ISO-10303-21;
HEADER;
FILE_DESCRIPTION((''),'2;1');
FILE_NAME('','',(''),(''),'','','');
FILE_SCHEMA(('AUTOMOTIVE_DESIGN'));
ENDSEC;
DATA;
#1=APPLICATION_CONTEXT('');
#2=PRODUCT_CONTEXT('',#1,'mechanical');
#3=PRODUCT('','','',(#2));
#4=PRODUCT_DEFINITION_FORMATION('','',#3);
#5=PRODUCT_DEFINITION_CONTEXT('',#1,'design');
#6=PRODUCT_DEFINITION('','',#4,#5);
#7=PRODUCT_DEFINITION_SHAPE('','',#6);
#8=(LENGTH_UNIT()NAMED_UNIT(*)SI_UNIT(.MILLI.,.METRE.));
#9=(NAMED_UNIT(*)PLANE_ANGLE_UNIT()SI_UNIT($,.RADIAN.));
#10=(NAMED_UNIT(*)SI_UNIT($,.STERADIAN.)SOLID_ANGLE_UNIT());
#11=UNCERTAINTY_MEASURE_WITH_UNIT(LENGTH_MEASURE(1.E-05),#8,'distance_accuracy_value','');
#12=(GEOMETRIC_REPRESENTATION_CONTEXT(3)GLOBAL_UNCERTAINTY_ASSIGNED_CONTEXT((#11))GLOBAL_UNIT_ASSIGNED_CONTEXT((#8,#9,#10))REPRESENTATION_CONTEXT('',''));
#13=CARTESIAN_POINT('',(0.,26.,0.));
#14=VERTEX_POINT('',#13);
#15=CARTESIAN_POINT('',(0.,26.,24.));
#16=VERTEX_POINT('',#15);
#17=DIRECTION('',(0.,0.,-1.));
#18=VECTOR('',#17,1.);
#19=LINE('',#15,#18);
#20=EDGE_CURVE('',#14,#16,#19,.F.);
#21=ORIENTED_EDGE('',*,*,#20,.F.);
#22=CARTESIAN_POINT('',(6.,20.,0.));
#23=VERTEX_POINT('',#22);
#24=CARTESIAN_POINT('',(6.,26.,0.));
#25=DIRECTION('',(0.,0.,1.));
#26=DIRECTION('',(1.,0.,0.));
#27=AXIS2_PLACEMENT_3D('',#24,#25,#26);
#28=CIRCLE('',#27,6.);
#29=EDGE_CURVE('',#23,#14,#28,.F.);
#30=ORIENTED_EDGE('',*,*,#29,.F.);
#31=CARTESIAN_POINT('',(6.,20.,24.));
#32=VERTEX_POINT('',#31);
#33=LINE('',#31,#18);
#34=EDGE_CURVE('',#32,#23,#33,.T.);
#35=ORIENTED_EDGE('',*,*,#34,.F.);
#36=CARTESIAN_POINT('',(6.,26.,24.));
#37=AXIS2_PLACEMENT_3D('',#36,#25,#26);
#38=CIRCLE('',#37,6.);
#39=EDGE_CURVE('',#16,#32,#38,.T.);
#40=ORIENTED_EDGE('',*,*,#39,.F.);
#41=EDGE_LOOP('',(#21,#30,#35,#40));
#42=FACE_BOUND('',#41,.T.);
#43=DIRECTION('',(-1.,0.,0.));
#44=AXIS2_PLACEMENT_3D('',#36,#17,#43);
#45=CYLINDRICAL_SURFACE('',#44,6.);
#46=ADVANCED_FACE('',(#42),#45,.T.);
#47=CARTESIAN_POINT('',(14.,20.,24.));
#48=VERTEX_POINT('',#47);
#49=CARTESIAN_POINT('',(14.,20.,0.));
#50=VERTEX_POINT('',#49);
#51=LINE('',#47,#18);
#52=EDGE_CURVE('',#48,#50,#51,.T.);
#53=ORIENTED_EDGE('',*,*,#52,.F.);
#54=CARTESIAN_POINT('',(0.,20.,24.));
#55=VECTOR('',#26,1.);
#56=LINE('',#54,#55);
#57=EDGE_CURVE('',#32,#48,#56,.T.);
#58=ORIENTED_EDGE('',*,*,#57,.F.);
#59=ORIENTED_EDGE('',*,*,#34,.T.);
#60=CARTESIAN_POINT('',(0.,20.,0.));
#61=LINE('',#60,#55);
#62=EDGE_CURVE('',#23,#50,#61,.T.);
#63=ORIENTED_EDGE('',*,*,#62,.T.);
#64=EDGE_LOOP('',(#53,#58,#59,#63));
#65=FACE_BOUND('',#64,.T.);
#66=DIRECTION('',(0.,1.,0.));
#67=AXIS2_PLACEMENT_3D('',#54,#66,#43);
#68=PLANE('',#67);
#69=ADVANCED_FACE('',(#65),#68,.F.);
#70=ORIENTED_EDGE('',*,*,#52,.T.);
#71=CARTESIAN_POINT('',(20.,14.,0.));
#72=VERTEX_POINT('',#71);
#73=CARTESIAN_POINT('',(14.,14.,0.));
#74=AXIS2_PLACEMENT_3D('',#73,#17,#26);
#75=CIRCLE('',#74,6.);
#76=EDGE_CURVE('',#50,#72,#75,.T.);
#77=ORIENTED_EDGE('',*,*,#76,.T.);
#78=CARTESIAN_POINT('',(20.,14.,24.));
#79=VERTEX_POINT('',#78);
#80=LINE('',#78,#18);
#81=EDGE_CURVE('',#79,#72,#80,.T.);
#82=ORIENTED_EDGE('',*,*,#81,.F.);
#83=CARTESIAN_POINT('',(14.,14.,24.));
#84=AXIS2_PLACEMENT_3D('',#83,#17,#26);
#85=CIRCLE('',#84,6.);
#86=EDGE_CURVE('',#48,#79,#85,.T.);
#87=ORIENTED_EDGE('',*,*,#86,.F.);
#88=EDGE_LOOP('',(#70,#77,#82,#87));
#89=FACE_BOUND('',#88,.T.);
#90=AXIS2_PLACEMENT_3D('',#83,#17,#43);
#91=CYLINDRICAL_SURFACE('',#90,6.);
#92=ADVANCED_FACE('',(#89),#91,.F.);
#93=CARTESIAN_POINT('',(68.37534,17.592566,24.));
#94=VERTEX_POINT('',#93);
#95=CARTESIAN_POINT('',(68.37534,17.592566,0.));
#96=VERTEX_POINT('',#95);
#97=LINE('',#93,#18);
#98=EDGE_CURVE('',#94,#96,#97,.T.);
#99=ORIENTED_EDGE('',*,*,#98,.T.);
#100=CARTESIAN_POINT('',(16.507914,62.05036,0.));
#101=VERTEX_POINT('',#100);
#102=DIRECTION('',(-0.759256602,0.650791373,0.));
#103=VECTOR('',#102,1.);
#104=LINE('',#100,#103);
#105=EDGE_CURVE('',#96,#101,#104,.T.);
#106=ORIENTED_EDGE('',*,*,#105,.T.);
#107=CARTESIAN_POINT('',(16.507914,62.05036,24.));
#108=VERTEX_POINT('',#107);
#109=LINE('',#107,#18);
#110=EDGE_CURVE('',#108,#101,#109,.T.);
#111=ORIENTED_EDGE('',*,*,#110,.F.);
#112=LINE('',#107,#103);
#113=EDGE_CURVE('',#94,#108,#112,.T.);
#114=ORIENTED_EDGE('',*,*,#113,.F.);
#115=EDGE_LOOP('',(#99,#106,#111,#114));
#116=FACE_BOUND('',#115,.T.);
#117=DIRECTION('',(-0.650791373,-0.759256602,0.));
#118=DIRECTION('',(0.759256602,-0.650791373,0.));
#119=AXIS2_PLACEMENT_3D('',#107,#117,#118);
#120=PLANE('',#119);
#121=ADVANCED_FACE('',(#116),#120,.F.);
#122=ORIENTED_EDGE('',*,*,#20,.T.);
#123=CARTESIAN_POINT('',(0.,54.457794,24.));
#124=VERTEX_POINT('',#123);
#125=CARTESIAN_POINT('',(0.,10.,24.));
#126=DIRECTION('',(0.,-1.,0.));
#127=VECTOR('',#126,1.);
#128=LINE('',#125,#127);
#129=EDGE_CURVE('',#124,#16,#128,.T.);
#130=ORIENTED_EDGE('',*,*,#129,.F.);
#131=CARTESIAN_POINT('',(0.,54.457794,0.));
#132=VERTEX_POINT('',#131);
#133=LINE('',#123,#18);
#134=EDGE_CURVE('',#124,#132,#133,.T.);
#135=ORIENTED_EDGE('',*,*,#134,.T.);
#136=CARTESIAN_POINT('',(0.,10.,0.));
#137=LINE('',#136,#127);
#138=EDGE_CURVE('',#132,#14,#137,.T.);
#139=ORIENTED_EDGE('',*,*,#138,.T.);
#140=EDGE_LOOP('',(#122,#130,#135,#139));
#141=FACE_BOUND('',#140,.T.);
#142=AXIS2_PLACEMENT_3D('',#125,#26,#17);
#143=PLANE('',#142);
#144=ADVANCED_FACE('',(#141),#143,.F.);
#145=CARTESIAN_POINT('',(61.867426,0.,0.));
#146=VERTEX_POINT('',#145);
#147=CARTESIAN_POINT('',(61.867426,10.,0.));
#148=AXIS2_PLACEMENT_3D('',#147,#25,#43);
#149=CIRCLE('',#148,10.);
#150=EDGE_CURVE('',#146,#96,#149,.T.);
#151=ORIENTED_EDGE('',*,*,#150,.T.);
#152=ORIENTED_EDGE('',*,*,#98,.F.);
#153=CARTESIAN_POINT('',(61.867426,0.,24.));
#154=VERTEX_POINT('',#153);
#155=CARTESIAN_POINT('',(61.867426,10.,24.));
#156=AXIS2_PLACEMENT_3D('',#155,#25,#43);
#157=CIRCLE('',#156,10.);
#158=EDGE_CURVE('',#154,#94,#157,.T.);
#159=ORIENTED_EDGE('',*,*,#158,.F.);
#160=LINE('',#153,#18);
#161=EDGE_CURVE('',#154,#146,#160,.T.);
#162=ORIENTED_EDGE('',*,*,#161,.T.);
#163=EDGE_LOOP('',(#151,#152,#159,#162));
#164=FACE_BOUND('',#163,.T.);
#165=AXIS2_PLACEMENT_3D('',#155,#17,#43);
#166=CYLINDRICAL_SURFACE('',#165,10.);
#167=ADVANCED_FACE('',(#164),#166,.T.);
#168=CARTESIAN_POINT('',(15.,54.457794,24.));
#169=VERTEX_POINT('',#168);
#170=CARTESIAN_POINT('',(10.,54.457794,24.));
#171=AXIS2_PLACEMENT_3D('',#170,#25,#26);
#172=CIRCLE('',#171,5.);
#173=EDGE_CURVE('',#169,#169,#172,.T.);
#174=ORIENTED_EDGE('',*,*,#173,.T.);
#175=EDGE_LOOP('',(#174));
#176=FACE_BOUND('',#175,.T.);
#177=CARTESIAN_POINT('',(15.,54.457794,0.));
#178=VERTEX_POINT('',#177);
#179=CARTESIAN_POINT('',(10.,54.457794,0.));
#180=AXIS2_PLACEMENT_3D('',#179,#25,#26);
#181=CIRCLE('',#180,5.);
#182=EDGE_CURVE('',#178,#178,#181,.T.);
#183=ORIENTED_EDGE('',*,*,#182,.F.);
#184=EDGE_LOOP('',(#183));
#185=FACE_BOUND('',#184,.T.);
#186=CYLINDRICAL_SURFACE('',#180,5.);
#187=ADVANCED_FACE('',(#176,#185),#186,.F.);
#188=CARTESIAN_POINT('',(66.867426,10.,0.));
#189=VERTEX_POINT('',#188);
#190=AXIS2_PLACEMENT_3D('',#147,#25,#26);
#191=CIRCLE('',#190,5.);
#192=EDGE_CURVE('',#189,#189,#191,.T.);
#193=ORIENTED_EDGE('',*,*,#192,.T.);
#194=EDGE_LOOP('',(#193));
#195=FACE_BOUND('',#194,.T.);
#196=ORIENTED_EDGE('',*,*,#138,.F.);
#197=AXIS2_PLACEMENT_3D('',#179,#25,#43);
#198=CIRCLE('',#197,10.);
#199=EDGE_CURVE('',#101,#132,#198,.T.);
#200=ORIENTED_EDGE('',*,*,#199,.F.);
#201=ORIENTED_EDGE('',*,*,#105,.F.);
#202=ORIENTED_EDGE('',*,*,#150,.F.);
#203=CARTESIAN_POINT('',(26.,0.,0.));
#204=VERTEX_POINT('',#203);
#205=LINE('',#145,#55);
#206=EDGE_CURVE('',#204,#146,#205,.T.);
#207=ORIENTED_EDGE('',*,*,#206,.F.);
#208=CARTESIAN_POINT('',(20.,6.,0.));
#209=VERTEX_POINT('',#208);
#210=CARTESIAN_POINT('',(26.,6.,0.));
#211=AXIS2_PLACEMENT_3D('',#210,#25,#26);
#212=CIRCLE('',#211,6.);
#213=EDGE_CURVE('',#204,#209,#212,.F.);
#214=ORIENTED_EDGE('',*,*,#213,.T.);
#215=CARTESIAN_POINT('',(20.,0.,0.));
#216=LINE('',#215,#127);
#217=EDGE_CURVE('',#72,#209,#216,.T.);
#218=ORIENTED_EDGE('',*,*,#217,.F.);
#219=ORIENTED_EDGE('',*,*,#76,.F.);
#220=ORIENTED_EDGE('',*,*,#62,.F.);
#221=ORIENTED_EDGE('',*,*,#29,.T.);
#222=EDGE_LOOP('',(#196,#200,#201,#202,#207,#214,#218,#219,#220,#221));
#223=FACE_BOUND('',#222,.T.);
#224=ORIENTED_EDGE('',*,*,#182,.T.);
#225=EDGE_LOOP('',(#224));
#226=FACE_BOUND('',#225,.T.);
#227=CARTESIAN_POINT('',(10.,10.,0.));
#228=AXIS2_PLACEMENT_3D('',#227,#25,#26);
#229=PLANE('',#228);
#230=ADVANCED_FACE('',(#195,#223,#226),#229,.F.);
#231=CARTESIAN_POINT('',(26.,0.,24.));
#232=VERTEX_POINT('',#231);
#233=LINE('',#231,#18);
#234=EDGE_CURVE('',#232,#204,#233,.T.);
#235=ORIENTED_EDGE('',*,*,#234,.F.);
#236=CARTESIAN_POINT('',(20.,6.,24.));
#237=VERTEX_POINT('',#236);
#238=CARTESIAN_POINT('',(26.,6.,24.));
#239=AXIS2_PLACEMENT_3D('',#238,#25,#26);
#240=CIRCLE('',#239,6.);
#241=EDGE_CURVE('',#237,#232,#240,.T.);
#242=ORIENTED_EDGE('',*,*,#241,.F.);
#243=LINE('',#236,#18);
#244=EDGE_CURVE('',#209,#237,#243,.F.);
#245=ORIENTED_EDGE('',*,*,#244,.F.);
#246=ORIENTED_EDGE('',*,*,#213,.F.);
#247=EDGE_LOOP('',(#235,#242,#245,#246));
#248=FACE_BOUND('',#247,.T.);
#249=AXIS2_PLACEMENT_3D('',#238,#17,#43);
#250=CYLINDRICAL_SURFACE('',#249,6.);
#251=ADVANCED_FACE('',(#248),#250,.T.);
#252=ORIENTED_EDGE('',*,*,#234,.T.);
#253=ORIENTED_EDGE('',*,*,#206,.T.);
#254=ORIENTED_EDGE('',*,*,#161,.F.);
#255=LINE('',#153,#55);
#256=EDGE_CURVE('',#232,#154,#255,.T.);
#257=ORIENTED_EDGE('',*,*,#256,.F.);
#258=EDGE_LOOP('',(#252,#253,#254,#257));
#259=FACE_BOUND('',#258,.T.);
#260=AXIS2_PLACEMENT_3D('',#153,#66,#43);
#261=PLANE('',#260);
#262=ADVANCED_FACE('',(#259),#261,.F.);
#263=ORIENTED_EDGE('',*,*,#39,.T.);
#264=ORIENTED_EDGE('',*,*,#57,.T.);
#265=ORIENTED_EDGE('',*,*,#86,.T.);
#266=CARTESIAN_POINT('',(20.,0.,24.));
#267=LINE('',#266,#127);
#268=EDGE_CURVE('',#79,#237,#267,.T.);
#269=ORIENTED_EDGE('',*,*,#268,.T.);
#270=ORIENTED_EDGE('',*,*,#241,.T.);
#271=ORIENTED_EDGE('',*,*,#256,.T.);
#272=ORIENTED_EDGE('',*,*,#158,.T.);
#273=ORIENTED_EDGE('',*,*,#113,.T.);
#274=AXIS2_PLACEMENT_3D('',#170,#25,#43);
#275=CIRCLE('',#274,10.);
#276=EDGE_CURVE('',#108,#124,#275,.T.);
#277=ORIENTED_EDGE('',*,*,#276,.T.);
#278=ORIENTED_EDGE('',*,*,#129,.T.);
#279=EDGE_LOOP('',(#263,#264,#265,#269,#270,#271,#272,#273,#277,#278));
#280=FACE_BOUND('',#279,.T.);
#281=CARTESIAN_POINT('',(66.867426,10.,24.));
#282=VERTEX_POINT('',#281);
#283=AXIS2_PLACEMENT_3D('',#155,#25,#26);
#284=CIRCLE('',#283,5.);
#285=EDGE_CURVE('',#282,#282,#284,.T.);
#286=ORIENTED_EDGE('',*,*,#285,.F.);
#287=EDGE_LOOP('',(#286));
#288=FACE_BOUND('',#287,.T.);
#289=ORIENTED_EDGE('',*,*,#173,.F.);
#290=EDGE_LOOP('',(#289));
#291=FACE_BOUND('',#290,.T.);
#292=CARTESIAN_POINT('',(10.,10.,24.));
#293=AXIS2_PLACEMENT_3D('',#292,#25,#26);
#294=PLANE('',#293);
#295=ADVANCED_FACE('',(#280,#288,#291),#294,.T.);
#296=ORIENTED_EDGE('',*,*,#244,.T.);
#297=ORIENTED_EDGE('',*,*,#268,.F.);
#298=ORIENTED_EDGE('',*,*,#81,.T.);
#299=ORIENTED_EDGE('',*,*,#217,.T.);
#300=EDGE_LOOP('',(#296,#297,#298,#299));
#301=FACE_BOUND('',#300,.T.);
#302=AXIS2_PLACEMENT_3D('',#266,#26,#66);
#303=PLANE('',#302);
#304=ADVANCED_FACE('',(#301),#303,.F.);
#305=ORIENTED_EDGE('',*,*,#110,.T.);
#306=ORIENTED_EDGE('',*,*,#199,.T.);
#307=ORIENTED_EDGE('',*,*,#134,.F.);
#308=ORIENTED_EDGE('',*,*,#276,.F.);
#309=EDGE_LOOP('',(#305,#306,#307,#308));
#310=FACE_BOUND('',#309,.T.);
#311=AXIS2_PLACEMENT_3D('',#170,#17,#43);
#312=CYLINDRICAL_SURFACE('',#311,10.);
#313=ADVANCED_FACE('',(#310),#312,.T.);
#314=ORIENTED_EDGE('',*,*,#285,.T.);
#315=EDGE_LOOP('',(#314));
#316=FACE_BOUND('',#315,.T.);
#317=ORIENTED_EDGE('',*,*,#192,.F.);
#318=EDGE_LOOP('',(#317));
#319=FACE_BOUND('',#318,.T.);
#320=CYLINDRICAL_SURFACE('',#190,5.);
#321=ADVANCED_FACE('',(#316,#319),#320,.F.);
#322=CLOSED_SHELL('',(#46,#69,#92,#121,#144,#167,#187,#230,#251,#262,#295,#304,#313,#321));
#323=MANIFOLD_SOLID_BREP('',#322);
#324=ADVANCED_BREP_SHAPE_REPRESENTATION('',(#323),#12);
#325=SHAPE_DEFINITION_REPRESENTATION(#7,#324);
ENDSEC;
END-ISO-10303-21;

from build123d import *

# Parameters (mm, degrees)
BOSS_EXTRUDE1_DEPTH = 24
SKETCH2_R           = 5
CUT_EXTRUDE1_DEPTH  = 100.477304276
CUT_EXTRUDE2_DEPTH  = 100.477304276
FILLET1_R           = 6


with BuildPart() as part:
    # Sketch1 → Boss-Extrude1 (new body)
    with BuildSketch(Plane.XY):
        with BuildLine():
            Line((0, 10), (0, 54.457793632))
            ThreePointArc((0, 54.457793632), (5.821431905, 63.542922617), (16.507913735, 62.050359656))
            Line((16.507913735, 62.050359656), (68.375339639, 17.592566024))
            ThreePointArc((68.375339639, 17.592566024), (71.246276054, 6.530537523), (61.867425905, 0))
            Line((61.867425905, 0), (10, 0))
            ThreePointArc((10, 0), (2.928932188, 2.928932188), (0, 10))
        make_face()
    extrude(amount=BOSS_EXTRUDE1_DEPTH)

    # Sketch2 → Cut-Extrude1 (cut, through all)
    with BuildSketch(Plane.XY.offset(24)):
        with Locations((10, 54.457793632)):
            Circle(SKETCH2_R)
        with Locations((61.867425905, 10)):
            Circle(SKETCH2_R)
    extrude(amount=-CUT_EXTRUDE1_DEPTH, mode=Mode.SUBTRACT)

    # Sketch3 → Cut-Extrude2 (cut, through all)
    with BuildSketch(Plane(origin=(0, 0, 0), x_dir=(-1, 0, 0), z_dir=(0, 0, -1))):
        with BuildLine():
            Line((0, 0), (-20, 0))
            Line((-20, 0), (-20, 14))
            ThreePointArc((-20, 14), (-18.242640687, 18.242640687), (-14, 20))
            Line((-14, 20), (0, 20))
            Line((0, 20), (0, 0))
        make_face()
    extrude(amount=-CUT_EXTRUDE2_DEPTH, mode=Mode.SUBTRACT)

    # Fillet1
    fillet1_edges = [part.edges().sort_by_distance(p)[0] for p in [
        (0, 20, 12),
        (20, 0, 12),
    ]]
    fillet(fillet1_edges, radius=FILLET1_R)


solid = part.part
